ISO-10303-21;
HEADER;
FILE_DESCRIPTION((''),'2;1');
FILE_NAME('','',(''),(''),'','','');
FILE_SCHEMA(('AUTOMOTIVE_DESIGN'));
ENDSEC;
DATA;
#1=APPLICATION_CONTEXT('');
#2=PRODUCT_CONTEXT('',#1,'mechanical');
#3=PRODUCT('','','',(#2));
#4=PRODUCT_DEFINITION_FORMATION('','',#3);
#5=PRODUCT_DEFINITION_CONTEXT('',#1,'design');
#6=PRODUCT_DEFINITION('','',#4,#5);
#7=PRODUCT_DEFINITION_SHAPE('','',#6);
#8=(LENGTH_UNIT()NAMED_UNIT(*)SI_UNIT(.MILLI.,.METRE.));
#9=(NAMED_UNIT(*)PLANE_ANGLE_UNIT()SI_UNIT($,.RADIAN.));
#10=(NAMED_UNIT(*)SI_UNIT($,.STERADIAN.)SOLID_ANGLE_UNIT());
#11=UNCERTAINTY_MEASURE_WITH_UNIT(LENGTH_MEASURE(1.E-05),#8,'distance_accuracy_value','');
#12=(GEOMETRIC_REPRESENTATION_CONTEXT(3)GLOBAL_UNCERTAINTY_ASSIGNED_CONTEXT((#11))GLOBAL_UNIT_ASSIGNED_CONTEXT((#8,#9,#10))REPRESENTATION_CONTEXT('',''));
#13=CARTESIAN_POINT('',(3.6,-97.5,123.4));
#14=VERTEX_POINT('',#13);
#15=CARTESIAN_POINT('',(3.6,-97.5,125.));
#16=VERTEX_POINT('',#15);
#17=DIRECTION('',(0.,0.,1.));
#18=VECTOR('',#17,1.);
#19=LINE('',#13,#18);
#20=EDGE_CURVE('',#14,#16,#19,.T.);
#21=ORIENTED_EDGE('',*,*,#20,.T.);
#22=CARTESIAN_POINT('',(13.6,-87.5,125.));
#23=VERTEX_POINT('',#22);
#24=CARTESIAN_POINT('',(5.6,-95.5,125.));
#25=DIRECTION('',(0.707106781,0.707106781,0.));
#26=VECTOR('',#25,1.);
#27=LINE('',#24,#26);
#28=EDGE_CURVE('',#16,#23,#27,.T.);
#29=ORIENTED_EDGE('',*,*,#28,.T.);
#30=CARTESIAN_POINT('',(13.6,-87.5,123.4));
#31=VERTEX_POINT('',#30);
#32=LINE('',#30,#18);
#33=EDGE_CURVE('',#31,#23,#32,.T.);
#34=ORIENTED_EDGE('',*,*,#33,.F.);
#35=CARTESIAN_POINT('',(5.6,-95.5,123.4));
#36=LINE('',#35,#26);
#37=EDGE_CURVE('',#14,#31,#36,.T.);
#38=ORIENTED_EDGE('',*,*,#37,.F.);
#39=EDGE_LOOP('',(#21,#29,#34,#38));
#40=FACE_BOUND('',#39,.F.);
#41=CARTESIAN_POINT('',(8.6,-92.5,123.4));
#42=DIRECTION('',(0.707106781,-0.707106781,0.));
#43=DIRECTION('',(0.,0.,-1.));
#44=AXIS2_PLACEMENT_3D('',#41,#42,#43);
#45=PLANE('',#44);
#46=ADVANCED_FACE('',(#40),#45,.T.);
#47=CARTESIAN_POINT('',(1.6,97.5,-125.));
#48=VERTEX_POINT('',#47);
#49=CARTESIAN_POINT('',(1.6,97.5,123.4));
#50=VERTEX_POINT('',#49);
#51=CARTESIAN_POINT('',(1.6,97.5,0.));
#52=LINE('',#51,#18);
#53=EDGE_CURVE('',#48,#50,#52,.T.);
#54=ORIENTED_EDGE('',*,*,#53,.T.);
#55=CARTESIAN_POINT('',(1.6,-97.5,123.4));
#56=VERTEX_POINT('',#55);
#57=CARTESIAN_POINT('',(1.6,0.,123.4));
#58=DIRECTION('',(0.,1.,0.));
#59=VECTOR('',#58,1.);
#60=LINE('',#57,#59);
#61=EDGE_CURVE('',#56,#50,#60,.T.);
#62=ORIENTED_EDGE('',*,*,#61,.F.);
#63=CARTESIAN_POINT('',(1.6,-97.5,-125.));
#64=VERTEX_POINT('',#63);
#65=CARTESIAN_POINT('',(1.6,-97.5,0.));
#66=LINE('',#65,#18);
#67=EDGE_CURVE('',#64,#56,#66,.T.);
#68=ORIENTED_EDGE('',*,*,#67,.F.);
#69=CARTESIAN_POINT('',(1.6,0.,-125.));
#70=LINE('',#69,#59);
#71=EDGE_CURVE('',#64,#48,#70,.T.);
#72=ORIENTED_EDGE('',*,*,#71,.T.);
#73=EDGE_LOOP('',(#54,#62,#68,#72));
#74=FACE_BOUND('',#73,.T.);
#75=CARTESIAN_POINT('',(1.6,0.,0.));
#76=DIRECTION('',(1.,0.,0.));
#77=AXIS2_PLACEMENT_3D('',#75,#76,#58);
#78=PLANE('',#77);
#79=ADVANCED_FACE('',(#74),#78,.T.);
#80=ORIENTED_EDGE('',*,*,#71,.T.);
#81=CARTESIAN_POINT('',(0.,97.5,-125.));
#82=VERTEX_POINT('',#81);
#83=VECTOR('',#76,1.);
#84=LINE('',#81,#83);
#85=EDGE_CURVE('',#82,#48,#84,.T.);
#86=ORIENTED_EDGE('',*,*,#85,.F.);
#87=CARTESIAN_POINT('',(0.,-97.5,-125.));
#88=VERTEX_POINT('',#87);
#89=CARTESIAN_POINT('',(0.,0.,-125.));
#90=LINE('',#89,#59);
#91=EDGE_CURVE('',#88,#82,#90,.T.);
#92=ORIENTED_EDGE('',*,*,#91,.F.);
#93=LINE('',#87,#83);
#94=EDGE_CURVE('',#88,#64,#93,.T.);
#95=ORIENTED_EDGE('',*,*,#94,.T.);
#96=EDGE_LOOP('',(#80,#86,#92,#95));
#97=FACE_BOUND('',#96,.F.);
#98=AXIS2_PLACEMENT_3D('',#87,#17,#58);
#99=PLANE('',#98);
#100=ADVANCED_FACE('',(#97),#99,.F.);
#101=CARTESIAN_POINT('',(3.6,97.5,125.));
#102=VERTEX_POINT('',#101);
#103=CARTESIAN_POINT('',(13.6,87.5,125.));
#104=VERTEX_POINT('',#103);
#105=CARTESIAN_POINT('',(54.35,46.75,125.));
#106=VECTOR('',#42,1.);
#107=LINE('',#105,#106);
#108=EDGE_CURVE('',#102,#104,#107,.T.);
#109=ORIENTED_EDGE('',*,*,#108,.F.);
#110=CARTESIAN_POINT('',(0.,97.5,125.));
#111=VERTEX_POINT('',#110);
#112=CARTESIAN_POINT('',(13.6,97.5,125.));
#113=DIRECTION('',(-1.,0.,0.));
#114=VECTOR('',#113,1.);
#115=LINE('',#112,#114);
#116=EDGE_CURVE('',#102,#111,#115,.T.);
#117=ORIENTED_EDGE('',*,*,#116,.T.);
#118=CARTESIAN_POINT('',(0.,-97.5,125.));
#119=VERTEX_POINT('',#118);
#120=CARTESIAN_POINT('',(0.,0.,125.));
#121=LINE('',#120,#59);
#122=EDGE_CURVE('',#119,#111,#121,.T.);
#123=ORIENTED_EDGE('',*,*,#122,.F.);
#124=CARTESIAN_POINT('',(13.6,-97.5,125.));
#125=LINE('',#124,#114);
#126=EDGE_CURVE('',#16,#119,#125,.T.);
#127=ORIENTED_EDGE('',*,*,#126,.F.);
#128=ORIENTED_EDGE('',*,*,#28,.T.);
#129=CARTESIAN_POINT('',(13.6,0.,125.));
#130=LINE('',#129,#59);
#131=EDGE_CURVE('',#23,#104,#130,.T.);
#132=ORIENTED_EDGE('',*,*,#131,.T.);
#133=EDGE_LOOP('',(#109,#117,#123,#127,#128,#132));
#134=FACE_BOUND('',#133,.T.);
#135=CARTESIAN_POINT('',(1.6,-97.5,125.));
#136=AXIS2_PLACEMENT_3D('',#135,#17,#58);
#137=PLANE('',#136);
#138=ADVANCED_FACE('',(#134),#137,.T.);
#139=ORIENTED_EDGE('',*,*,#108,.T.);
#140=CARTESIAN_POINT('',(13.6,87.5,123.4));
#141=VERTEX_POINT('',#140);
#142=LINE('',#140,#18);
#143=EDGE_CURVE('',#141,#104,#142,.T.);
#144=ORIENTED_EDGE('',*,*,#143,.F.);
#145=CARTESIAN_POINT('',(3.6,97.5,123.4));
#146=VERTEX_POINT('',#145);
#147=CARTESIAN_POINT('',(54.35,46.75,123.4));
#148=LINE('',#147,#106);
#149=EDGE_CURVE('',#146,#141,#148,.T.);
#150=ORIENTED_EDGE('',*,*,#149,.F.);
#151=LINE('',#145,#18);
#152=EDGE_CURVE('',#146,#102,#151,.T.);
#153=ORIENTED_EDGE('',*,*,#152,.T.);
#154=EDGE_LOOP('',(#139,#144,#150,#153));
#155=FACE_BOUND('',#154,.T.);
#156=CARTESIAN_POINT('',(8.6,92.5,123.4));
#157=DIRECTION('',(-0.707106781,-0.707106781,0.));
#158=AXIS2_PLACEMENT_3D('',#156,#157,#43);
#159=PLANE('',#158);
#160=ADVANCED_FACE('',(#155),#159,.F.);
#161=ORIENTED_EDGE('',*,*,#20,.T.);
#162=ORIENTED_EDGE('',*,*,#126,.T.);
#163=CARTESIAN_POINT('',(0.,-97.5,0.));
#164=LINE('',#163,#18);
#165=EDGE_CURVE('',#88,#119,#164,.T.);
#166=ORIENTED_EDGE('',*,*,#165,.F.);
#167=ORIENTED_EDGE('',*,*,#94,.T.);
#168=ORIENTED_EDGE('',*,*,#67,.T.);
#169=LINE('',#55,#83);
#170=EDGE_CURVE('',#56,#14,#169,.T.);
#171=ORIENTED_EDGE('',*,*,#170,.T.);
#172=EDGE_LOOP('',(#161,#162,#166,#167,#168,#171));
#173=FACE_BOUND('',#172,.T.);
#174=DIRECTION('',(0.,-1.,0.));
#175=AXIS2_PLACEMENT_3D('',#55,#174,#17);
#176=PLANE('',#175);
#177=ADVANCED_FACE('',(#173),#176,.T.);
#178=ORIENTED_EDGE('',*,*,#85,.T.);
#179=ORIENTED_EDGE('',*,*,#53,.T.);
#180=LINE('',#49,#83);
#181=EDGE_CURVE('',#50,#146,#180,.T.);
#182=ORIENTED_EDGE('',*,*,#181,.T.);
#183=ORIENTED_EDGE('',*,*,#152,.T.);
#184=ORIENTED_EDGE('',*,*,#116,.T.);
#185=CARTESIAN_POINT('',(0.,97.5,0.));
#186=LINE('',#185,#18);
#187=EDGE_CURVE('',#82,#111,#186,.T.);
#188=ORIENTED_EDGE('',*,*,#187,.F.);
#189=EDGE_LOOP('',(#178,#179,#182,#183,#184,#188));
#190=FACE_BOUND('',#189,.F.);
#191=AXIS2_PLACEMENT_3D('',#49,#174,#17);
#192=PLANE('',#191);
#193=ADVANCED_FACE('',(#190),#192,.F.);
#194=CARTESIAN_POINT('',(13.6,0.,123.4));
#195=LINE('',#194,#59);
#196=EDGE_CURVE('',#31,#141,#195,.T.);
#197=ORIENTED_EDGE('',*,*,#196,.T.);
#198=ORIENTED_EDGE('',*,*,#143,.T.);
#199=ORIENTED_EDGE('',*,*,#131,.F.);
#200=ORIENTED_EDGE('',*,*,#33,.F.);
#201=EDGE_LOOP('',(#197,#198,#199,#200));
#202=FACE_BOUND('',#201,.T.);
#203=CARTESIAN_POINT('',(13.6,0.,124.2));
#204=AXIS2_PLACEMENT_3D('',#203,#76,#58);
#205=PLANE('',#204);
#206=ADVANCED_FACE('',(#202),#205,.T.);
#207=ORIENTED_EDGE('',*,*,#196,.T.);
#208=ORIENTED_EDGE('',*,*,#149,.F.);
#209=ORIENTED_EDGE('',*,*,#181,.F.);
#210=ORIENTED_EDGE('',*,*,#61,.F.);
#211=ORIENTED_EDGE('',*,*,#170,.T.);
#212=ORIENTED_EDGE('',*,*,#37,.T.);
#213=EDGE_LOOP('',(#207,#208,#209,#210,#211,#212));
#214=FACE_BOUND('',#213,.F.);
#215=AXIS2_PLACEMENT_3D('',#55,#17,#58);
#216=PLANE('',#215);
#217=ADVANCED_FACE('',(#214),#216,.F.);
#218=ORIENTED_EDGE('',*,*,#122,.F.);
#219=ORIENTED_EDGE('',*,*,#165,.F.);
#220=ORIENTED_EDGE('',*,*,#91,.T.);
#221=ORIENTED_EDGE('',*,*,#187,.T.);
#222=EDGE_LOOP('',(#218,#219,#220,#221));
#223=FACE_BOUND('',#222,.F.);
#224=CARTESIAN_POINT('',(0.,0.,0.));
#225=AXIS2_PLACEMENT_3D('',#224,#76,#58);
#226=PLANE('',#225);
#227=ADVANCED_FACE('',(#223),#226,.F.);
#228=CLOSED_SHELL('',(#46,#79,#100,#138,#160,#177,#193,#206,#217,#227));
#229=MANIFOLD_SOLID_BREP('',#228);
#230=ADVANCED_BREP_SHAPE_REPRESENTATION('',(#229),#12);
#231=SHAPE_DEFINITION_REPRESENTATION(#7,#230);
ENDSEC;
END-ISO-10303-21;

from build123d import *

# Parameters (mm, degrees)
F0_W     = 195
F0_H     = 250
F1_DEPTH = 1.6
F2_W     = 195
F2_H     = 1.6
F3_DEPTH = 12
F4_SIZE  = 10


with BuildPart() as f1:
    # F0 (on Right) → F1 (new body)
    with BuildSketch(Plane.YZ):
        Rectangle(F0_W, F0_H)
    extrude(amount=F1_DEPTH)

    # F2 (on face) → F3 (join)
    with BuildSketch(Plane.YZ.offset(1.6)):
        with Locations((0, 124.2)):
            Rectangle(F2_W, F2_H)
    extrude(amount=F3_DEPTH)

    # F4
    f4_edges = [f1.edges().sort_by_distance(p)[0] for p in [
        (13.6, 97.5, 124.2),
        (13.6, -97.5, 124.2),
    ]]
    chamfer(f4_edges, length=F4_SIZE)


solid = f1.part
